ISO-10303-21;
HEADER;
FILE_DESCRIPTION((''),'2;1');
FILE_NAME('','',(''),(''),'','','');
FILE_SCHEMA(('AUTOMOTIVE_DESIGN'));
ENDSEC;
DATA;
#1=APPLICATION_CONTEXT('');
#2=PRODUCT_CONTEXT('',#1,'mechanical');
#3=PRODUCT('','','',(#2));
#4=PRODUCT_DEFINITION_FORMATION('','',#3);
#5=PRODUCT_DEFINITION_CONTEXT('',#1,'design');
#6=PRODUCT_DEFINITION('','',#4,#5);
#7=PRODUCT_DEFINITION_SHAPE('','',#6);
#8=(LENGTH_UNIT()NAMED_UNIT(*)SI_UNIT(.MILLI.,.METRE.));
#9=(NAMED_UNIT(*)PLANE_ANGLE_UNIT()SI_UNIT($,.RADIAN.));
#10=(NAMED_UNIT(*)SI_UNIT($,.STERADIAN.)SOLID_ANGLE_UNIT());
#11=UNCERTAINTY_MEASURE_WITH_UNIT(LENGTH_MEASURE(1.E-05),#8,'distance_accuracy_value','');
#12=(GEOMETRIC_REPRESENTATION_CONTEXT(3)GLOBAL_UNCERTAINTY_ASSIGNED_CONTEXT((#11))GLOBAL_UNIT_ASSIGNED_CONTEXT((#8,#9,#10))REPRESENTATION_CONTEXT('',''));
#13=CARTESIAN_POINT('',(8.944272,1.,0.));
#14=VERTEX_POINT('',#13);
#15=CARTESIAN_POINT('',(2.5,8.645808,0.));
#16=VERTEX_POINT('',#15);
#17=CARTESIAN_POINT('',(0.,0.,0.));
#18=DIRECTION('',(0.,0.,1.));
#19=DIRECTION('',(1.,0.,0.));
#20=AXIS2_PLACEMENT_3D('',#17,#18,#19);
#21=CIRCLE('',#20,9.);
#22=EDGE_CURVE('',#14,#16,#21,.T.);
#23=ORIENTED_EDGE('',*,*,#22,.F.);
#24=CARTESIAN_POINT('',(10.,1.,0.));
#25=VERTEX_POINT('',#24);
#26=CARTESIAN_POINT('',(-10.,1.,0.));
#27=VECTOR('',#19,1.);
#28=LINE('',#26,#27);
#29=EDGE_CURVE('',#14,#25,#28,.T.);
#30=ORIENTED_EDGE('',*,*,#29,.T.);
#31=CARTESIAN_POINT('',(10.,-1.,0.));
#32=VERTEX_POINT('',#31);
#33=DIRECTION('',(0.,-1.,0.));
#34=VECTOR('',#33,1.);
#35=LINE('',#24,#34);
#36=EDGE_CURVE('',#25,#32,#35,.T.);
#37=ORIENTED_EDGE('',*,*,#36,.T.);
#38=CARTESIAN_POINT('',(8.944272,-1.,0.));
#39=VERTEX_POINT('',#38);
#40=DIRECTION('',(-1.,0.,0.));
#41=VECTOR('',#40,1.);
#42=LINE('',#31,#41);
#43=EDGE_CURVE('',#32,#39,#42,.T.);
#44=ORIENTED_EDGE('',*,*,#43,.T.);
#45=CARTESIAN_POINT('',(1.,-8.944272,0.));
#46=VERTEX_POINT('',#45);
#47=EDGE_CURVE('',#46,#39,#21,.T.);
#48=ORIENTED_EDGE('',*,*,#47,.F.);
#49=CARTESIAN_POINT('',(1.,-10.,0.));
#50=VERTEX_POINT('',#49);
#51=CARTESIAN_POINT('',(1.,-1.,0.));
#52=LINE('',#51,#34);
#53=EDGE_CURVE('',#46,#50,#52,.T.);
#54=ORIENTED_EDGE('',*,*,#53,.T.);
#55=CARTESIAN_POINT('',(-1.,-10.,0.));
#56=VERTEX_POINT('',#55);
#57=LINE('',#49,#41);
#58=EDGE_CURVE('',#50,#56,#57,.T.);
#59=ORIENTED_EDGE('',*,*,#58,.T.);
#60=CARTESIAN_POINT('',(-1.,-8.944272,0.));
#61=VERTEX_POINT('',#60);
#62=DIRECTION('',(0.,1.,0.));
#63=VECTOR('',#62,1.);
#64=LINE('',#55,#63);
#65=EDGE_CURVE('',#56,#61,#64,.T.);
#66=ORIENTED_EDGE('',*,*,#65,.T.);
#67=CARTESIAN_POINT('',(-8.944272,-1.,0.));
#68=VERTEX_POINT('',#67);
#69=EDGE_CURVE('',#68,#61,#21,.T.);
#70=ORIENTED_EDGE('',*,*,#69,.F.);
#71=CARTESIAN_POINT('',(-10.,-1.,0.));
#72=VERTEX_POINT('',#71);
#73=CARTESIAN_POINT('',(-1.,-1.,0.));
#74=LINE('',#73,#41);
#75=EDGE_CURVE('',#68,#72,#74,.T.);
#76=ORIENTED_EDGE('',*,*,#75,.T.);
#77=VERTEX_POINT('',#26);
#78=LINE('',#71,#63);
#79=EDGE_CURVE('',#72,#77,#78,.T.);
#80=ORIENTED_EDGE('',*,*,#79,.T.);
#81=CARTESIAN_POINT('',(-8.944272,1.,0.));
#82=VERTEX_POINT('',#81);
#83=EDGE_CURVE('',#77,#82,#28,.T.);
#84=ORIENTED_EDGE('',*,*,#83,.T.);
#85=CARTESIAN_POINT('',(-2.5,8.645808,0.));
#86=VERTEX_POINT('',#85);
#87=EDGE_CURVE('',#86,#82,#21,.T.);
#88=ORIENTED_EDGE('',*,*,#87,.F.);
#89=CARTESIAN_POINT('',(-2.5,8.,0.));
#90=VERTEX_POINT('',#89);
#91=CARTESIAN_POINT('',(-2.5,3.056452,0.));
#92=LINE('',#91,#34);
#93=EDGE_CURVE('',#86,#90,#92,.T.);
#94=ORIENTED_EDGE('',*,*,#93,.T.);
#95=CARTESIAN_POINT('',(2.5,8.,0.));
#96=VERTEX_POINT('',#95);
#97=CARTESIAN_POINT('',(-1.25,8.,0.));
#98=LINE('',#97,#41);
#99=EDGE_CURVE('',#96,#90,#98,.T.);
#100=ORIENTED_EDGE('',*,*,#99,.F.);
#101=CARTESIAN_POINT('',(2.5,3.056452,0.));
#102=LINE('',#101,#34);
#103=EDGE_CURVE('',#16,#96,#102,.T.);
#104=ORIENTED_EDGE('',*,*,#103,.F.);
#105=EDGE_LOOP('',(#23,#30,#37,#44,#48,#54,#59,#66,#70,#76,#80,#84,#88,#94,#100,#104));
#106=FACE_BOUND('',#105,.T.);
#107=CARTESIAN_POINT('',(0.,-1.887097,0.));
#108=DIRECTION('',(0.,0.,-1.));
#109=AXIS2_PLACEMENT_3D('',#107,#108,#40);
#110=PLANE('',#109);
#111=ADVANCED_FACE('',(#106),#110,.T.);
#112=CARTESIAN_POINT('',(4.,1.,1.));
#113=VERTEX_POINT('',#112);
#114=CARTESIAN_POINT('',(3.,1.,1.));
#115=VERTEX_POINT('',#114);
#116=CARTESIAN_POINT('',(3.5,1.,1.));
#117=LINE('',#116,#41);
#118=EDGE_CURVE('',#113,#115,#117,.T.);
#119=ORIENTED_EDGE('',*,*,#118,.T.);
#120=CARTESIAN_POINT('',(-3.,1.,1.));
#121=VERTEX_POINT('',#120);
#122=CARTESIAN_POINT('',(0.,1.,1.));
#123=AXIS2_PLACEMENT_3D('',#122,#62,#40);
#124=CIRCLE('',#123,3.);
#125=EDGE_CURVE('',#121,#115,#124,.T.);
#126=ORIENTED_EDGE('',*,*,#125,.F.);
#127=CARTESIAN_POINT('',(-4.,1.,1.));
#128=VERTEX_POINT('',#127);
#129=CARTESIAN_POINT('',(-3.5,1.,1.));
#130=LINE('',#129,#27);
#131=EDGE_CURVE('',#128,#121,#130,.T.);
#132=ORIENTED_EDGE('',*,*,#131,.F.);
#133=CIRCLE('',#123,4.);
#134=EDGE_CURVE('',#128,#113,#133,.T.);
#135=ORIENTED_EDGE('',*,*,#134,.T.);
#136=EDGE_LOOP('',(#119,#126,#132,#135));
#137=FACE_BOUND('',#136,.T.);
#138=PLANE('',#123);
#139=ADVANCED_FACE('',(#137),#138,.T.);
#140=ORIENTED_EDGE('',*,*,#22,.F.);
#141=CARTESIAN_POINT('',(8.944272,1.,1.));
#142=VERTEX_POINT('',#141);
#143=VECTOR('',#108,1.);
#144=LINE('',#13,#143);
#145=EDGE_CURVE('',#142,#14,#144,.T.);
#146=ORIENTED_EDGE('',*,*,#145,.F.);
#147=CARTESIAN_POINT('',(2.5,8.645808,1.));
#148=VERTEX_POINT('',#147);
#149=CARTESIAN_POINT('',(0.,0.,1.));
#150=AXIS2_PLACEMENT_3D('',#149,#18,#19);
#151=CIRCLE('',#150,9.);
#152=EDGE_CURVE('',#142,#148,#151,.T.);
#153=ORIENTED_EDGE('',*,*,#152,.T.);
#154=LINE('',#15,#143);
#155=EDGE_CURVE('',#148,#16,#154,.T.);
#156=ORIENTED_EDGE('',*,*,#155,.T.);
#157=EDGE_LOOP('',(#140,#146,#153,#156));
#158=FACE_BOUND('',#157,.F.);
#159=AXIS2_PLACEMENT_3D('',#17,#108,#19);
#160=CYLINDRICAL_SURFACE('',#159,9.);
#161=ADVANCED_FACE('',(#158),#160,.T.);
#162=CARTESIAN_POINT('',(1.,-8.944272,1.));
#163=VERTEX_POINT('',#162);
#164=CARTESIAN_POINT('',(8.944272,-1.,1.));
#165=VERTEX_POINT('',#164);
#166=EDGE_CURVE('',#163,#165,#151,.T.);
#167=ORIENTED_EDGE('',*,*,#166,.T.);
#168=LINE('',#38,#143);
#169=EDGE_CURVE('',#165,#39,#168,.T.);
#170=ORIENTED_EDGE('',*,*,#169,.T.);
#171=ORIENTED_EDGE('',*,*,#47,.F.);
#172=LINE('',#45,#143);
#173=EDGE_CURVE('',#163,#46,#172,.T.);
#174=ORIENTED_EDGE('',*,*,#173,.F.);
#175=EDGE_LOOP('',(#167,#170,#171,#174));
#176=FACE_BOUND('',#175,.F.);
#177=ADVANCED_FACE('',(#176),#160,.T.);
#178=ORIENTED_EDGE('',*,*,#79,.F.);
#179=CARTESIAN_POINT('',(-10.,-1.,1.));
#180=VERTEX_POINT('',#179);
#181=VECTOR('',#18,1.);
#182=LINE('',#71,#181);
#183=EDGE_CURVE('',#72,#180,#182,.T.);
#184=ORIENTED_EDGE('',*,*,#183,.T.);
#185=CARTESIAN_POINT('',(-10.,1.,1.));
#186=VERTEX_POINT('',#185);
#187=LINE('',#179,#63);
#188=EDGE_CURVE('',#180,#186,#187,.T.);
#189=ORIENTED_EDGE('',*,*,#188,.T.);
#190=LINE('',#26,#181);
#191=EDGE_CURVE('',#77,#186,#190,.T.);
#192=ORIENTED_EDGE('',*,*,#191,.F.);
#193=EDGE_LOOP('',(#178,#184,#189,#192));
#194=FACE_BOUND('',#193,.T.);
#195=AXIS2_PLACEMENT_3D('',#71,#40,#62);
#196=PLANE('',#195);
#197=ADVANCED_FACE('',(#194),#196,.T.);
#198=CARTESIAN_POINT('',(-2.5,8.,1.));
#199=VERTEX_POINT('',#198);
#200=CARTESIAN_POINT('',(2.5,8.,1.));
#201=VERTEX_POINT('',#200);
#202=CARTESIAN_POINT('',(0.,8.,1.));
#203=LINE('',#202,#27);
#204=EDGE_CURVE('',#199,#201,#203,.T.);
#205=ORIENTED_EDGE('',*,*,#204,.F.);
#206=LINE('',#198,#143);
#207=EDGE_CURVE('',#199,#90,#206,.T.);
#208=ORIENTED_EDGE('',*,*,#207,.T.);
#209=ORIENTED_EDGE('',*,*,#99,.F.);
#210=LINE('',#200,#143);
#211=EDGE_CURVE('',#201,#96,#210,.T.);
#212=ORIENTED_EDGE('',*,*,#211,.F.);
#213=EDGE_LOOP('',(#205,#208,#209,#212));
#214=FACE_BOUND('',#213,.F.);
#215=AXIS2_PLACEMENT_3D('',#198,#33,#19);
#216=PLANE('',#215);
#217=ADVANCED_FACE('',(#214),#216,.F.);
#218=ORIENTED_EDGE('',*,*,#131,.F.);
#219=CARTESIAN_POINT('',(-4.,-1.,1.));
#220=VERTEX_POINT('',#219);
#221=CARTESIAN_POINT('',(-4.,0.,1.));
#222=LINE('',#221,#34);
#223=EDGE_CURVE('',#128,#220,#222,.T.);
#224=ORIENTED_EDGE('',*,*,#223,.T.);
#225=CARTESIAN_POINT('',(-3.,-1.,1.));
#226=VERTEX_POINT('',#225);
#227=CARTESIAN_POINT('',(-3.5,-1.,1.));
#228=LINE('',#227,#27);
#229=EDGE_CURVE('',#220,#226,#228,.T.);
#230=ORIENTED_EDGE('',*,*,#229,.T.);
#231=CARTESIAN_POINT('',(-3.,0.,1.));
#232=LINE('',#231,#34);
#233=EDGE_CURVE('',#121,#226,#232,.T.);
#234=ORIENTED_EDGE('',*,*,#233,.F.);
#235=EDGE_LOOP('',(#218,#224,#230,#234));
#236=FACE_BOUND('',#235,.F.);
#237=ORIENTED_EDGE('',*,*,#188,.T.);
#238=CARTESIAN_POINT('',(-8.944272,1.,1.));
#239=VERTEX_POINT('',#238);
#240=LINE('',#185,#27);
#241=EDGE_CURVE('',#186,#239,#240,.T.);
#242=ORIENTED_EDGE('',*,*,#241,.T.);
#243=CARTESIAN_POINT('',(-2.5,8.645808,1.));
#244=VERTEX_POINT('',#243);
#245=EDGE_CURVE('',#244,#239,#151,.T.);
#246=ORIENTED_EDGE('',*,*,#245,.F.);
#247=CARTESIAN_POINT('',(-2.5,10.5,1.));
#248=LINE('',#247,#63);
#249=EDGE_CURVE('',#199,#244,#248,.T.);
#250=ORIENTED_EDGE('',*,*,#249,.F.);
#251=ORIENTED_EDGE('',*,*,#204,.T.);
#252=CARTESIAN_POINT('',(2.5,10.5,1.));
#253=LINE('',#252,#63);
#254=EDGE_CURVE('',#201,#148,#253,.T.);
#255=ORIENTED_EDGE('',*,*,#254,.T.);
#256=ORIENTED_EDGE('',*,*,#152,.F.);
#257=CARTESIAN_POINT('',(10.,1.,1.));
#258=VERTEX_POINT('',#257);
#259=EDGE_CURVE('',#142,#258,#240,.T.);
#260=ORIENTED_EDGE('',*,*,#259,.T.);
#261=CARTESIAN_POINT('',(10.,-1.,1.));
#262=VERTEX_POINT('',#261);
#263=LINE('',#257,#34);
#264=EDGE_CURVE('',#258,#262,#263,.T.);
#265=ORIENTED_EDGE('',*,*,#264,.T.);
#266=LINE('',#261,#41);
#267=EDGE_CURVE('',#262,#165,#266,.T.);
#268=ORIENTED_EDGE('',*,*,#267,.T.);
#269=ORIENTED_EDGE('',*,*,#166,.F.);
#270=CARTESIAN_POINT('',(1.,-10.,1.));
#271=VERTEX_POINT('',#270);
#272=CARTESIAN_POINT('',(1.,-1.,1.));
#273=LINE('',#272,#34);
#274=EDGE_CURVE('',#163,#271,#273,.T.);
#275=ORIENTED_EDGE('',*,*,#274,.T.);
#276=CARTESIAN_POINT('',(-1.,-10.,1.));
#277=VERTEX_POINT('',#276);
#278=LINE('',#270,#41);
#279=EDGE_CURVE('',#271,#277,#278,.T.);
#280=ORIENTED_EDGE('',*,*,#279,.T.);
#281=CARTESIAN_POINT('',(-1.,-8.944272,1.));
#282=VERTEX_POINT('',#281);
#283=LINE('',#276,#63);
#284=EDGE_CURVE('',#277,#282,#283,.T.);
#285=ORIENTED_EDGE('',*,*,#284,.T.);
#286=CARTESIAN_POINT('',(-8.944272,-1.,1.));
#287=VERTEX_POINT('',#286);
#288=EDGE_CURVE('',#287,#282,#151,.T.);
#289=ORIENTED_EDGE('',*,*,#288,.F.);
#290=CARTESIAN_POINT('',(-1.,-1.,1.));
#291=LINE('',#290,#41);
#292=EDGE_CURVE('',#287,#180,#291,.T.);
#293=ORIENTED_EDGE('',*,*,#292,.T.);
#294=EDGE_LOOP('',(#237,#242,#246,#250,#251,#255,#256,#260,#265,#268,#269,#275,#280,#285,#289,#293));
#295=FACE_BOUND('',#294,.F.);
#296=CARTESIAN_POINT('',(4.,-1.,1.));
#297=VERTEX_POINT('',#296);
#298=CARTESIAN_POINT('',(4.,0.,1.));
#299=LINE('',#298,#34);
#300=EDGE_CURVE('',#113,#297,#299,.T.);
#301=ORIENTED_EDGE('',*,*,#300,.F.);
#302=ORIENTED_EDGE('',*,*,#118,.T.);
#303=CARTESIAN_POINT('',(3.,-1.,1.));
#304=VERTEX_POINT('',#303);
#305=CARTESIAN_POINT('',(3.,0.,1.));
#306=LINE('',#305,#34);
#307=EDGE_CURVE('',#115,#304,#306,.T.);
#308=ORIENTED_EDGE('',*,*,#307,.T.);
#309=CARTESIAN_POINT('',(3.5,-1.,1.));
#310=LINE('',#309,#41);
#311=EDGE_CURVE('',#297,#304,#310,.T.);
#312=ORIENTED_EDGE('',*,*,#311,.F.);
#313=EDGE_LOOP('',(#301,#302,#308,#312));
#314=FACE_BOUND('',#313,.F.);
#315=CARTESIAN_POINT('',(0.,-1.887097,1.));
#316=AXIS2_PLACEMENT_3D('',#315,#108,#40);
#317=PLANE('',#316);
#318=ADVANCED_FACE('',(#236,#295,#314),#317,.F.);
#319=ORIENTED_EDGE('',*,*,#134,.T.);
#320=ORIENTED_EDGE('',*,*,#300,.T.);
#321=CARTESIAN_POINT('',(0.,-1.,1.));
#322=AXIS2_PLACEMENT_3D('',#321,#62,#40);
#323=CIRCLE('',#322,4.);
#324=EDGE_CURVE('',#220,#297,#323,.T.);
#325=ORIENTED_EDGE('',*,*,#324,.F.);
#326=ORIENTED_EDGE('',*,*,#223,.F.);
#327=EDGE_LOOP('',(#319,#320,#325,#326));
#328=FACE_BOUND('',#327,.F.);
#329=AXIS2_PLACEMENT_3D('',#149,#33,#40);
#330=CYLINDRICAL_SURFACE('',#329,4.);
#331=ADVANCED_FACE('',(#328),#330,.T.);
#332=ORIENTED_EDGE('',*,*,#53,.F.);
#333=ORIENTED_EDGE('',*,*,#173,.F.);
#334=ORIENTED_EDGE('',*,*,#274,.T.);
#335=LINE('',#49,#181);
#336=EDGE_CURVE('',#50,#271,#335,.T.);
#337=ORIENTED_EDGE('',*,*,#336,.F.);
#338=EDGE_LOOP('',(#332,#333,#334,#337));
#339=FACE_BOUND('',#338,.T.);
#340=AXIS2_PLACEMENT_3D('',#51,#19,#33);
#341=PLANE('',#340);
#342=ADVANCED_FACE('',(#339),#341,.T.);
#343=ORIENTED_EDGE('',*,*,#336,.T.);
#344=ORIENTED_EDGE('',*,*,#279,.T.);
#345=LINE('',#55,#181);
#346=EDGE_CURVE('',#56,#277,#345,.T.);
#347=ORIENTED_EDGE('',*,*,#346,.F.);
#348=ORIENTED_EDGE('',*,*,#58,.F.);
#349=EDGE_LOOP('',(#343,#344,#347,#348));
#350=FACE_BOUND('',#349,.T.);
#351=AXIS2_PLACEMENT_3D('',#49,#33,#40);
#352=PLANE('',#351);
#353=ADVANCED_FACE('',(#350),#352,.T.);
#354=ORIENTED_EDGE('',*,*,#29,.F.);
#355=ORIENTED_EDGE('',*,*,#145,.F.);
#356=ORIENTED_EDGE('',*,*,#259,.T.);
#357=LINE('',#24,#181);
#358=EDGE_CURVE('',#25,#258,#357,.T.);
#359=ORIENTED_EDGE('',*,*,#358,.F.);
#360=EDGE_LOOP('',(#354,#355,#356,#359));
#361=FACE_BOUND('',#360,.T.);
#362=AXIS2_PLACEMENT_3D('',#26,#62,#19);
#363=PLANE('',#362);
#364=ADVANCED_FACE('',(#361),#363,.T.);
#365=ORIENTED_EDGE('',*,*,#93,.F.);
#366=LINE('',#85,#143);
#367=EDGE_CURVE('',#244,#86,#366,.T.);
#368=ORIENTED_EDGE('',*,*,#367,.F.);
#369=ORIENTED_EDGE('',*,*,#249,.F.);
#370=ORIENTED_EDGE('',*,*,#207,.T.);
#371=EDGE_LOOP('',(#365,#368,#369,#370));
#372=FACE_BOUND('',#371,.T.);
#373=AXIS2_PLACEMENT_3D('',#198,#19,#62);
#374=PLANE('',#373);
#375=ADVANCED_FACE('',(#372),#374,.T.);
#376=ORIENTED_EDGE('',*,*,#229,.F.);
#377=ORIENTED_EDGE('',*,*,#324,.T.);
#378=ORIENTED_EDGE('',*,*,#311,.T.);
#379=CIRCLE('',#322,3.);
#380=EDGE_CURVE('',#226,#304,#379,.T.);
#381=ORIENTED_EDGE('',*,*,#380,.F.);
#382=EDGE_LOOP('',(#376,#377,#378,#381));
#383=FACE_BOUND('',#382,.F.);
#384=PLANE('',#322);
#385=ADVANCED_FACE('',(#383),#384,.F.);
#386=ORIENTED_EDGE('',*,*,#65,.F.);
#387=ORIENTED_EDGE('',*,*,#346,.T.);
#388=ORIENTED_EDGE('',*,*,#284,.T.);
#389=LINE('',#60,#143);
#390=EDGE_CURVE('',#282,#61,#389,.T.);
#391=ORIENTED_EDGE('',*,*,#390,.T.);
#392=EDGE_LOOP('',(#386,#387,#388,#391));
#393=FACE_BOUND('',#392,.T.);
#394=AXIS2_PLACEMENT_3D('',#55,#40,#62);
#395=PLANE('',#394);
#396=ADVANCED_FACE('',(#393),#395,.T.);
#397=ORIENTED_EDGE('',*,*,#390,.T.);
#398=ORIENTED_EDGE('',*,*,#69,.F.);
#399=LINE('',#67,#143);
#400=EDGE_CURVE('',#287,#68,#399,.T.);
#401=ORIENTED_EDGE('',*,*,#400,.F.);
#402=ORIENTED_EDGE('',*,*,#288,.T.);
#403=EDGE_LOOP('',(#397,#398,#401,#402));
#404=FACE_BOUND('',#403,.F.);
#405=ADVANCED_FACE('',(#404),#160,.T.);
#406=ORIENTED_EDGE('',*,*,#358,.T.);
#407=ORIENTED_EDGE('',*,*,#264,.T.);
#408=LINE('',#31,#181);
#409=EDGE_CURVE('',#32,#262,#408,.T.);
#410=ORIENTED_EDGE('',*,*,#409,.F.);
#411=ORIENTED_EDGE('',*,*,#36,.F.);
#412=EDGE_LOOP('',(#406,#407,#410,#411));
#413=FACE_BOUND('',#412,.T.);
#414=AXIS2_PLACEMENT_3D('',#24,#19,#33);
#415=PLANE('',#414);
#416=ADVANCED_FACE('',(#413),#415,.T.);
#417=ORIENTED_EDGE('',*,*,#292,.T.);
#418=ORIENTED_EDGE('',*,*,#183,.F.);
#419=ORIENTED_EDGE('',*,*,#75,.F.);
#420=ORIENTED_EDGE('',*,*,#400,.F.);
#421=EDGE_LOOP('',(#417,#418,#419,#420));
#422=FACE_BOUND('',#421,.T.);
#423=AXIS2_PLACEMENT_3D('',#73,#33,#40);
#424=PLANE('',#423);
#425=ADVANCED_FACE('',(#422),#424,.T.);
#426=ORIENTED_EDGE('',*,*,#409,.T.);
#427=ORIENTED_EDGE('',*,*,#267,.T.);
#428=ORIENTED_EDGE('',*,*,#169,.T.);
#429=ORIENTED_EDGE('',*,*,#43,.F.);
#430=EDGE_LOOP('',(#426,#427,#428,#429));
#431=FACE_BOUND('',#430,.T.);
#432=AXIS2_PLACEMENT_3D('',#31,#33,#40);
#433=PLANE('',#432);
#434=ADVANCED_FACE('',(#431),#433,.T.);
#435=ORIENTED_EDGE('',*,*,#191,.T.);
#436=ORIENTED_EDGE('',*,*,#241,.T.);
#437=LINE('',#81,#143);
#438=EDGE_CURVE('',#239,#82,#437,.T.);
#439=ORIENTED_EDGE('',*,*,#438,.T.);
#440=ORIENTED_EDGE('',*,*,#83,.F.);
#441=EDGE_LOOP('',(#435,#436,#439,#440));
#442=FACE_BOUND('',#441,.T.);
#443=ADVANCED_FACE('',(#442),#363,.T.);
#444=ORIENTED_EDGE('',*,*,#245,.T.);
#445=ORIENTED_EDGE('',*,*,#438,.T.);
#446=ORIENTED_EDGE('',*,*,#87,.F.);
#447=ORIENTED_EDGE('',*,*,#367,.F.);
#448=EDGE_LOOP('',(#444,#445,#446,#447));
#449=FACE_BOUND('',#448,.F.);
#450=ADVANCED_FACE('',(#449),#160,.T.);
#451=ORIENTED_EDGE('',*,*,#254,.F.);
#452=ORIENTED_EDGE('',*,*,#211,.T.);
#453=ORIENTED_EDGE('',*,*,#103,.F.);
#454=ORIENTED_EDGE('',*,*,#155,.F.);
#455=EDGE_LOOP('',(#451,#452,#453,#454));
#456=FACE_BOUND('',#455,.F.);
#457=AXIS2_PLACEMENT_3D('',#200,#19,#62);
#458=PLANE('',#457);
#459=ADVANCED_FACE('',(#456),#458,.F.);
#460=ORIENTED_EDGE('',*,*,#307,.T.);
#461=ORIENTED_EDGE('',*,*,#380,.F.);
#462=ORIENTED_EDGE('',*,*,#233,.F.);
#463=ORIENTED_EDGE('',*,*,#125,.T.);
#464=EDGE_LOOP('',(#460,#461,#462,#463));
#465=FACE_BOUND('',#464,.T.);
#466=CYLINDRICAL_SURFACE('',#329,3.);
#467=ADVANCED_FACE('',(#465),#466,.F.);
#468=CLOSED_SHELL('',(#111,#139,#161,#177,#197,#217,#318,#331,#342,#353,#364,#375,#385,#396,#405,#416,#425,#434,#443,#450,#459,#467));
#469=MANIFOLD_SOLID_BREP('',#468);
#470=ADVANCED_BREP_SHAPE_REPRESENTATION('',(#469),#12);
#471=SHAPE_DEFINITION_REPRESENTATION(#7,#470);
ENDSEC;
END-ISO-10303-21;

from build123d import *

# Parameters (mm, degrees)
SKETCH001_R      = 9
PAD_DEPTH        = 1
PAD001_DEPTH     = 1
SKETCH003_W      = 5
SKETCH003_H      = 5
POCKET_DEPTH     = 5
SKETCH004_W      = 1
SKETCH004_H      = 2
REVOLUTION_ANGLE = -180


with BuildPart() as part:
    # Sketch001 → Pad (new body)
    with BuildSketch(Plane.XY):
        Circle(SKETCH001_R)
    extrude(amount=PAD_DEPTH)

    # Sketch002 → Pad001 (join)
    with BuildSketch(Plane.XY):
        Polygon((-10, 1), (10, 1), (10, -1), (1, -1), (1, -10), (-1, -10), (-1, -1), (-10, -1), align=None)
    extrude(amount=PAD001_DEPTH)

    # Sketch003 (on Face25 of Pad001) → Pocket (cut)
    with BuildSketch(Plane.XY.offset(1)):
        with Locations((0, 10.5)):
            Rectangle(SKETCH003_W, SKETCH003_H)
    extrude(amount=-POCKET_DEPTH, mode=Mode.SUBTRACT)

    # Sketch004 (on Face7 of Pocket) → Revolution (revolve)
    with BuildSketch(Plane(origin=(0, 0, 1), x_dir=(1, 0, 0), z_dir=(0, 0, -1))):
        with Locations((-3.5, 0)):
            Rectangle(SKETCH004_W, SKETCH004_H)
    revolve(axis=Axis((0, 0, 1), (0, -1, 0)), revolution_arc=REVOLUTION_ANGLE)


solid = part.part
